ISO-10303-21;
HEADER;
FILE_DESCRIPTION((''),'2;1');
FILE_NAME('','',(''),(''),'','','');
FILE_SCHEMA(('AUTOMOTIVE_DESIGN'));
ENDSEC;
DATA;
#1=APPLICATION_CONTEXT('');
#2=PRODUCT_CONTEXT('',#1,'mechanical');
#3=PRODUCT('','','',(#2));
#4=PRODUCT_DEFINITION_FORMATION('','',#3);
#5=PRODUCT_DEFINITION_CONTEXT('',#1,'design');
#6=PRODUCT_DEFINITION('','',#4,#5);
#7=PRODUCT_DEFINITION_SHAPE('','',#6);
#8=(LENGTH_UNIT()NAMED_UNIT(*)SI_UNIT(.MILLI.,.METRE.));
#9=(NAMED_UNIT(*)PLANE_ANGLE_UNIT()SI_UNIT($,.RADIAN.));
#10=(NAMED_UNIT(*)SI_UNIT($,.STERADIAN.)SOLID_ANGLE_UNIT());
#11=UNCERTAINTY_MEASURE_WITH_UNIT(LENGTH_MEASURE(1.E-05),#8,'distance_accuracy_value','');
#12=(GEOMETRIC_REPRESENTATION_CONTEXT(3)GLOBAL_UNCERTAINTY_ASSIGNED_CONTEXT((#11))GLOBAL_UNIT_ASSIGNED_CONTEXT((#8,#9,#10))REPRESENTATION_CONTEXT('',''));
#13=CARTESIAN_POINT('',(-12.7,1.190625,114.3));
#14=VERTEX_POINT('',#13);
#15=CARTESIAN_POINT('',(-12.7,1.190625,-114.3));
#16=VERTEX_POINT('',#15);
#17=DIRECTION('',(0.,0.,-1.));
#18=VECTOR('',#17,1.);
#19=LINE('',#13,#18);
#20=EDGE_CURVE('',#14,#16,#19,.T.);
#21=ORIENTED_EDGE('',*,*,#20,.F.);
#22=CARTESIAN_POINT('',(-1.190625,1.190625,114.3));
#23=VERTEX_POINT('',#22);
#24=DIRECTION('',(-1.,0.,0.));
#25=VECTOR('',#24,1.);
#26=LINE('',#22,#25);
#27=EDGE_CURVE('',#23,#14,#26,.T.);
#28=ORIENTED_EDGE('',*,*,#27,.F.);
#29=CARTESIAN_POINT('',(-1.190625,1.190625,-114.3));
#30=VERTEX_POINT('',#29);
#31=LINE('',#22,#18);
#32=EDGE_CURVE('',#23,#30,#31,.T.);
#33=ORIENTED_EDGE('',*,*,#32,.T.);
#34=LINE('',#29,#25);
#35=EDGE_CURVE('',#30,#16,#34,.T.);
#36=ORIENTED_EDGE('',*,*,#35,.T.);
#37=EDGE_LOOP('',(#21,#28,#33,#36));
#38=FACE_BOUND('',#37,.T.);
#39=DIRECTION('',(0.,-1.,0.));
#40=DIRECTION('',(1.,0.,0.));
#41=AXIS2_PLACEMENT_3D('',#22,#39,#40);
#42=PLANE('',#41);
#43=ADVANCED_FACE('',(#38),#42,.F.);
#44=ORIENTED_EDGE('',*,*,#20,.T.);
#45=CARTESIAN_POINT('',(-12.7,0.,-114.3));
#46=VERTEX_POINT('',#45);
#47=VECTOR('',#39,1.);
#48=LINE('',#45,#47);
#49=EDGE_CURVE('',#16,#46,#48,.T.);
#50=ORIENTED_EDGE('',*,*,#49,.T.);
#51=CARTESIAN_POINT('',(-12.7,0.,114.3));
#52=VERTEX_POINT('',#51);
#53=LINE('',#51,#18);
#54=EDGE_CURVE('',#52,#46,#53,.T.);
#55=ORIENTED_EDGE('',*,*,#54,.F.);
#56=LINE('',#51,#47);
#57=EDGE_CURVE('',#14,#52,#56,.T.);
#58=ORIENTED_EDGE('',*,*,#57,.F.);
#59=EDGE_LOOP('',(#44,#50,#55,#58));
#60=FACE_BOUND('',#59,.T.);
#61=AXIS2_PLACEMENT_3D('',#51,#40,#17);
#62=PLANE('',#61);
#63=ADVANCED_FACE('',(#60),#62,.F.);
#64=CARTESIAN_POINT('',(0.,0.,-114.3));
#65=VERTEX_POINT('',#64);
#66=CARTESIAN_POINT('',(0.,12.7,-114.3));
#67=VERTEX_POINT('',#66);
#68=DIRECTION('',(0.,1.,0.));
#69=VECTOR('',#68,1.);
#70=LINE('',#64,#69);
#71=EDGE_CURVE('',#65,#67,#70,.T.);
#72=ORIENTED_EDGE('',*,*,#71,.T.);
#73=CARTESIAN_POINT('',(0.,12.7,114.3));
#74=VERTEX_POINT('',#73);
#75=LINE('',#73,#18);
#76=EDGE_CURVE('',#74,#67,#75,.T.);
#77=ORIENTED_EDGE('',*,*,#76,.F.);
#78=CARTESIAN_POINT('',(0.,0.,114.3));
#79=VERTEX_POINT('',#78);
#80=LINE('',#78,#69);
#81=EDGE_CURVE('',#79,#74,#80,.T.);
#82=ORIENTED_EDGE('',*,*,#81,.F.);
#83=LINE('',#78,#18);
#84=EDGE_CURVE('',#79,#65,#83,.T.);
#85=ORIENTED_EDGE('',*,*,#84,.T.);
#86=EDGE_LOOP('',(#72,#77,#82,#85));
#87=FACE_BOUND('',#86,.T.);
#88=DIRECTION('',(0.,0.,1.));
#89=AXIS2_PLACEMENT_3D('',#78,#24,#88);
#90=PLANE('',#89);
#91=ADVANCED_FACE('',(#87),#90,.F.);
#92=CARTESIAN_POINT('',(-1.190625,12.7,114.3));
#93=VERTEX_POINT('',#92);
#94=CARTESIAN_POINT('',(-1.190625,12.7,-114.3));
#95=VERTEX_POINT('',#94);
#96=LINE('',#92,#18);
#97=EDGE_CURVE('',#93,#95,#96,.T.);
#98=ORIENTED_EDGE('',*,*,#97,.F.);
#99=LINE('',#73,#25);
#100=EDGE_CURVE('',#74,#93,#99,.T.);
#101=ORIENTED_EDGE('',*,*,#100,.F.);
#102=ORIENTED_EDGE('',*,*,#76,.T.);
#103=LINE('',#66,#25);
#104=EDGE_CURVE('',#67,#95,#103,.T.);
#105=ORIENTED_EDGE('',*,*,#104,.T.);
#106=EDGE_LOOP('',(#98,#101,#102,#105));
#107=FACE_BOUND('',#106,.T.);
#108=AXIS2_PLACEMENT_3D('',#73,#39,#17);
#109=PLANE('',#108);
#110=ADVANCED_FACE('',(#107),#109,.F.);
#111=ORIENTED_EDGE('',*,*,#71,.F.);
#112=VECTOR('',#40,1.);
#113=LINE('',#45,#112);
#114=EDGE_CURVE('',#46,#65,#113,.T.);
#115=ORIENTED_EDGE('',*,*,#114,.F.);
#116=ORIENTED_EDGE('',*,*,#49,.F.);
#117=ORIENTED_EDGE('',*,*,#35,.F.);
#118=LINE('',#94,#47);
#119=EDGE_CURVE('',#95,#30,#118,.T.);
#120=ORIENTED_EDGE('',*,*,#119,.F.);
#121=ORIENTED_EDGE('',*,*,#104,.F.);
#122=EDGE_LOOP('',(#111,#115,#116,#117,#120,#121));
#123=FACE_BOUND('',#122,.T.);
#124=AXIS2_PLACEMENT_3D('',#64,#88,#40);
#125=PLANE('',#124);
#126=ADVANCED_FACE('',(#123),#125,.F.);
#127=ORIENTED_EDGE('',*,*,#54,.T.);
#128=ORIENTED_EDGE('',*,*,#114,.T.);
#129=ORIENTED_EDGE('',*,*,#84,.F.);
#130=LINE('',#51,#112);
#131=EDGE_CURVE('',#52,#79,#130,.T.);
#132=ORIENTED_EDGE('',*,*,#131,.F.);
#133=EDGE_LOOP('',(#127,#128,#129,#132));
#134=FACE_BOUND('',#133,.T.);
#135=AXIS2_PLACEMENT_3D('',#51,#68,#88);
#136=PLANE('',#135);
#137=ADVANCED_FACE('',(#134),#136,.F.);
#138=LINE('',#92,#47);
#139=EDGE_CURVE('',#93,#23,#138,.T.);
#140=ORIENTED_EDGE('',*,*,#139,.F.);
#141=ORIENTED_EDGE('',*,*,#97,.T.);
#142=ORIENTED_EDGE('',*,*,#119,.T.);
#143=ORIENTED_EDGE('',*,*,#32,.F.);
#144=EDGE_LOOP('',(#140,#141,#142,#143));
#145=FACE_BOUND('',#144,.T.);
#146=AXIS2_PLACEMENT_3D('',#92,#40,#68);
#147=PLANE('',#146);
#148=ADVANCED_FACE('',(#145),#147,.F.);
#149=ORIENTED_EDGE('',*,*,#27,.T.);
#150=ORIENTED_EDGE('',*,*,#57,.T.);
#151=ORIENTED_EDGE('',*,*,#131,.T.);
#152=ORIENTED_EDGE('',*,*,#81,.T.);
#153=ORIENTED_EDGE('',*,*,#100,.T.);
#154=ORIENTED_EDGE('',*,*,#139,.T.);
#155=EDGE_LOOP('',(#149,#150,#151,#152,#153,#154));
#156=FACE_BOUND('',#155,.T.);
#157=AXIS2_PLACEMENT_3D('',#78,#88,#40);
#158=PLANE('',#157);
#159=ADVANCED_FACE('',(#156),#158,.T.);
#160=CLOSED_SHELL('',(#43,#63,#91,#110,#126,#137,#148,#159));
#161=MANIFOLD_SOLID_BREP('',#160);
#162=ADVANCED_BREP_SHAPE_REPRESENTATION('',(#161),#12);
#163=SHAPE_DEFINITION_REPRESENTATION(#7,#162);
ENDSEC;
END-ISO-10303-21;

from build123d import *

# Parameters (mm, degrees)
BOSS_EXTRUDE1_DEPTH      = 114.3
BOSS_EXTRUDE1_DEPTH_BACK = 114.3


with BuildPart() as part:
    # Sketch3 → Boss-Extrude1 (new, two sides: drawn at the far end of the back side and taken through both)
    with BuildSketch(Plane.XY.offset(-BOSS_EXTRUDE1_DEPTH_BACK)):
        Polygon((-12.7, 0), (0, 0), (0, 12.7), (-1.190625, 12.7), (-1.190625, 1.190625), (-12.7, 1.190625), align=None)
    extrude(amount=BOSS_EXTRUDE1_DEPTH + BOSS_EXTRUDE1_DEPTH_BACK)


solid = part.part
